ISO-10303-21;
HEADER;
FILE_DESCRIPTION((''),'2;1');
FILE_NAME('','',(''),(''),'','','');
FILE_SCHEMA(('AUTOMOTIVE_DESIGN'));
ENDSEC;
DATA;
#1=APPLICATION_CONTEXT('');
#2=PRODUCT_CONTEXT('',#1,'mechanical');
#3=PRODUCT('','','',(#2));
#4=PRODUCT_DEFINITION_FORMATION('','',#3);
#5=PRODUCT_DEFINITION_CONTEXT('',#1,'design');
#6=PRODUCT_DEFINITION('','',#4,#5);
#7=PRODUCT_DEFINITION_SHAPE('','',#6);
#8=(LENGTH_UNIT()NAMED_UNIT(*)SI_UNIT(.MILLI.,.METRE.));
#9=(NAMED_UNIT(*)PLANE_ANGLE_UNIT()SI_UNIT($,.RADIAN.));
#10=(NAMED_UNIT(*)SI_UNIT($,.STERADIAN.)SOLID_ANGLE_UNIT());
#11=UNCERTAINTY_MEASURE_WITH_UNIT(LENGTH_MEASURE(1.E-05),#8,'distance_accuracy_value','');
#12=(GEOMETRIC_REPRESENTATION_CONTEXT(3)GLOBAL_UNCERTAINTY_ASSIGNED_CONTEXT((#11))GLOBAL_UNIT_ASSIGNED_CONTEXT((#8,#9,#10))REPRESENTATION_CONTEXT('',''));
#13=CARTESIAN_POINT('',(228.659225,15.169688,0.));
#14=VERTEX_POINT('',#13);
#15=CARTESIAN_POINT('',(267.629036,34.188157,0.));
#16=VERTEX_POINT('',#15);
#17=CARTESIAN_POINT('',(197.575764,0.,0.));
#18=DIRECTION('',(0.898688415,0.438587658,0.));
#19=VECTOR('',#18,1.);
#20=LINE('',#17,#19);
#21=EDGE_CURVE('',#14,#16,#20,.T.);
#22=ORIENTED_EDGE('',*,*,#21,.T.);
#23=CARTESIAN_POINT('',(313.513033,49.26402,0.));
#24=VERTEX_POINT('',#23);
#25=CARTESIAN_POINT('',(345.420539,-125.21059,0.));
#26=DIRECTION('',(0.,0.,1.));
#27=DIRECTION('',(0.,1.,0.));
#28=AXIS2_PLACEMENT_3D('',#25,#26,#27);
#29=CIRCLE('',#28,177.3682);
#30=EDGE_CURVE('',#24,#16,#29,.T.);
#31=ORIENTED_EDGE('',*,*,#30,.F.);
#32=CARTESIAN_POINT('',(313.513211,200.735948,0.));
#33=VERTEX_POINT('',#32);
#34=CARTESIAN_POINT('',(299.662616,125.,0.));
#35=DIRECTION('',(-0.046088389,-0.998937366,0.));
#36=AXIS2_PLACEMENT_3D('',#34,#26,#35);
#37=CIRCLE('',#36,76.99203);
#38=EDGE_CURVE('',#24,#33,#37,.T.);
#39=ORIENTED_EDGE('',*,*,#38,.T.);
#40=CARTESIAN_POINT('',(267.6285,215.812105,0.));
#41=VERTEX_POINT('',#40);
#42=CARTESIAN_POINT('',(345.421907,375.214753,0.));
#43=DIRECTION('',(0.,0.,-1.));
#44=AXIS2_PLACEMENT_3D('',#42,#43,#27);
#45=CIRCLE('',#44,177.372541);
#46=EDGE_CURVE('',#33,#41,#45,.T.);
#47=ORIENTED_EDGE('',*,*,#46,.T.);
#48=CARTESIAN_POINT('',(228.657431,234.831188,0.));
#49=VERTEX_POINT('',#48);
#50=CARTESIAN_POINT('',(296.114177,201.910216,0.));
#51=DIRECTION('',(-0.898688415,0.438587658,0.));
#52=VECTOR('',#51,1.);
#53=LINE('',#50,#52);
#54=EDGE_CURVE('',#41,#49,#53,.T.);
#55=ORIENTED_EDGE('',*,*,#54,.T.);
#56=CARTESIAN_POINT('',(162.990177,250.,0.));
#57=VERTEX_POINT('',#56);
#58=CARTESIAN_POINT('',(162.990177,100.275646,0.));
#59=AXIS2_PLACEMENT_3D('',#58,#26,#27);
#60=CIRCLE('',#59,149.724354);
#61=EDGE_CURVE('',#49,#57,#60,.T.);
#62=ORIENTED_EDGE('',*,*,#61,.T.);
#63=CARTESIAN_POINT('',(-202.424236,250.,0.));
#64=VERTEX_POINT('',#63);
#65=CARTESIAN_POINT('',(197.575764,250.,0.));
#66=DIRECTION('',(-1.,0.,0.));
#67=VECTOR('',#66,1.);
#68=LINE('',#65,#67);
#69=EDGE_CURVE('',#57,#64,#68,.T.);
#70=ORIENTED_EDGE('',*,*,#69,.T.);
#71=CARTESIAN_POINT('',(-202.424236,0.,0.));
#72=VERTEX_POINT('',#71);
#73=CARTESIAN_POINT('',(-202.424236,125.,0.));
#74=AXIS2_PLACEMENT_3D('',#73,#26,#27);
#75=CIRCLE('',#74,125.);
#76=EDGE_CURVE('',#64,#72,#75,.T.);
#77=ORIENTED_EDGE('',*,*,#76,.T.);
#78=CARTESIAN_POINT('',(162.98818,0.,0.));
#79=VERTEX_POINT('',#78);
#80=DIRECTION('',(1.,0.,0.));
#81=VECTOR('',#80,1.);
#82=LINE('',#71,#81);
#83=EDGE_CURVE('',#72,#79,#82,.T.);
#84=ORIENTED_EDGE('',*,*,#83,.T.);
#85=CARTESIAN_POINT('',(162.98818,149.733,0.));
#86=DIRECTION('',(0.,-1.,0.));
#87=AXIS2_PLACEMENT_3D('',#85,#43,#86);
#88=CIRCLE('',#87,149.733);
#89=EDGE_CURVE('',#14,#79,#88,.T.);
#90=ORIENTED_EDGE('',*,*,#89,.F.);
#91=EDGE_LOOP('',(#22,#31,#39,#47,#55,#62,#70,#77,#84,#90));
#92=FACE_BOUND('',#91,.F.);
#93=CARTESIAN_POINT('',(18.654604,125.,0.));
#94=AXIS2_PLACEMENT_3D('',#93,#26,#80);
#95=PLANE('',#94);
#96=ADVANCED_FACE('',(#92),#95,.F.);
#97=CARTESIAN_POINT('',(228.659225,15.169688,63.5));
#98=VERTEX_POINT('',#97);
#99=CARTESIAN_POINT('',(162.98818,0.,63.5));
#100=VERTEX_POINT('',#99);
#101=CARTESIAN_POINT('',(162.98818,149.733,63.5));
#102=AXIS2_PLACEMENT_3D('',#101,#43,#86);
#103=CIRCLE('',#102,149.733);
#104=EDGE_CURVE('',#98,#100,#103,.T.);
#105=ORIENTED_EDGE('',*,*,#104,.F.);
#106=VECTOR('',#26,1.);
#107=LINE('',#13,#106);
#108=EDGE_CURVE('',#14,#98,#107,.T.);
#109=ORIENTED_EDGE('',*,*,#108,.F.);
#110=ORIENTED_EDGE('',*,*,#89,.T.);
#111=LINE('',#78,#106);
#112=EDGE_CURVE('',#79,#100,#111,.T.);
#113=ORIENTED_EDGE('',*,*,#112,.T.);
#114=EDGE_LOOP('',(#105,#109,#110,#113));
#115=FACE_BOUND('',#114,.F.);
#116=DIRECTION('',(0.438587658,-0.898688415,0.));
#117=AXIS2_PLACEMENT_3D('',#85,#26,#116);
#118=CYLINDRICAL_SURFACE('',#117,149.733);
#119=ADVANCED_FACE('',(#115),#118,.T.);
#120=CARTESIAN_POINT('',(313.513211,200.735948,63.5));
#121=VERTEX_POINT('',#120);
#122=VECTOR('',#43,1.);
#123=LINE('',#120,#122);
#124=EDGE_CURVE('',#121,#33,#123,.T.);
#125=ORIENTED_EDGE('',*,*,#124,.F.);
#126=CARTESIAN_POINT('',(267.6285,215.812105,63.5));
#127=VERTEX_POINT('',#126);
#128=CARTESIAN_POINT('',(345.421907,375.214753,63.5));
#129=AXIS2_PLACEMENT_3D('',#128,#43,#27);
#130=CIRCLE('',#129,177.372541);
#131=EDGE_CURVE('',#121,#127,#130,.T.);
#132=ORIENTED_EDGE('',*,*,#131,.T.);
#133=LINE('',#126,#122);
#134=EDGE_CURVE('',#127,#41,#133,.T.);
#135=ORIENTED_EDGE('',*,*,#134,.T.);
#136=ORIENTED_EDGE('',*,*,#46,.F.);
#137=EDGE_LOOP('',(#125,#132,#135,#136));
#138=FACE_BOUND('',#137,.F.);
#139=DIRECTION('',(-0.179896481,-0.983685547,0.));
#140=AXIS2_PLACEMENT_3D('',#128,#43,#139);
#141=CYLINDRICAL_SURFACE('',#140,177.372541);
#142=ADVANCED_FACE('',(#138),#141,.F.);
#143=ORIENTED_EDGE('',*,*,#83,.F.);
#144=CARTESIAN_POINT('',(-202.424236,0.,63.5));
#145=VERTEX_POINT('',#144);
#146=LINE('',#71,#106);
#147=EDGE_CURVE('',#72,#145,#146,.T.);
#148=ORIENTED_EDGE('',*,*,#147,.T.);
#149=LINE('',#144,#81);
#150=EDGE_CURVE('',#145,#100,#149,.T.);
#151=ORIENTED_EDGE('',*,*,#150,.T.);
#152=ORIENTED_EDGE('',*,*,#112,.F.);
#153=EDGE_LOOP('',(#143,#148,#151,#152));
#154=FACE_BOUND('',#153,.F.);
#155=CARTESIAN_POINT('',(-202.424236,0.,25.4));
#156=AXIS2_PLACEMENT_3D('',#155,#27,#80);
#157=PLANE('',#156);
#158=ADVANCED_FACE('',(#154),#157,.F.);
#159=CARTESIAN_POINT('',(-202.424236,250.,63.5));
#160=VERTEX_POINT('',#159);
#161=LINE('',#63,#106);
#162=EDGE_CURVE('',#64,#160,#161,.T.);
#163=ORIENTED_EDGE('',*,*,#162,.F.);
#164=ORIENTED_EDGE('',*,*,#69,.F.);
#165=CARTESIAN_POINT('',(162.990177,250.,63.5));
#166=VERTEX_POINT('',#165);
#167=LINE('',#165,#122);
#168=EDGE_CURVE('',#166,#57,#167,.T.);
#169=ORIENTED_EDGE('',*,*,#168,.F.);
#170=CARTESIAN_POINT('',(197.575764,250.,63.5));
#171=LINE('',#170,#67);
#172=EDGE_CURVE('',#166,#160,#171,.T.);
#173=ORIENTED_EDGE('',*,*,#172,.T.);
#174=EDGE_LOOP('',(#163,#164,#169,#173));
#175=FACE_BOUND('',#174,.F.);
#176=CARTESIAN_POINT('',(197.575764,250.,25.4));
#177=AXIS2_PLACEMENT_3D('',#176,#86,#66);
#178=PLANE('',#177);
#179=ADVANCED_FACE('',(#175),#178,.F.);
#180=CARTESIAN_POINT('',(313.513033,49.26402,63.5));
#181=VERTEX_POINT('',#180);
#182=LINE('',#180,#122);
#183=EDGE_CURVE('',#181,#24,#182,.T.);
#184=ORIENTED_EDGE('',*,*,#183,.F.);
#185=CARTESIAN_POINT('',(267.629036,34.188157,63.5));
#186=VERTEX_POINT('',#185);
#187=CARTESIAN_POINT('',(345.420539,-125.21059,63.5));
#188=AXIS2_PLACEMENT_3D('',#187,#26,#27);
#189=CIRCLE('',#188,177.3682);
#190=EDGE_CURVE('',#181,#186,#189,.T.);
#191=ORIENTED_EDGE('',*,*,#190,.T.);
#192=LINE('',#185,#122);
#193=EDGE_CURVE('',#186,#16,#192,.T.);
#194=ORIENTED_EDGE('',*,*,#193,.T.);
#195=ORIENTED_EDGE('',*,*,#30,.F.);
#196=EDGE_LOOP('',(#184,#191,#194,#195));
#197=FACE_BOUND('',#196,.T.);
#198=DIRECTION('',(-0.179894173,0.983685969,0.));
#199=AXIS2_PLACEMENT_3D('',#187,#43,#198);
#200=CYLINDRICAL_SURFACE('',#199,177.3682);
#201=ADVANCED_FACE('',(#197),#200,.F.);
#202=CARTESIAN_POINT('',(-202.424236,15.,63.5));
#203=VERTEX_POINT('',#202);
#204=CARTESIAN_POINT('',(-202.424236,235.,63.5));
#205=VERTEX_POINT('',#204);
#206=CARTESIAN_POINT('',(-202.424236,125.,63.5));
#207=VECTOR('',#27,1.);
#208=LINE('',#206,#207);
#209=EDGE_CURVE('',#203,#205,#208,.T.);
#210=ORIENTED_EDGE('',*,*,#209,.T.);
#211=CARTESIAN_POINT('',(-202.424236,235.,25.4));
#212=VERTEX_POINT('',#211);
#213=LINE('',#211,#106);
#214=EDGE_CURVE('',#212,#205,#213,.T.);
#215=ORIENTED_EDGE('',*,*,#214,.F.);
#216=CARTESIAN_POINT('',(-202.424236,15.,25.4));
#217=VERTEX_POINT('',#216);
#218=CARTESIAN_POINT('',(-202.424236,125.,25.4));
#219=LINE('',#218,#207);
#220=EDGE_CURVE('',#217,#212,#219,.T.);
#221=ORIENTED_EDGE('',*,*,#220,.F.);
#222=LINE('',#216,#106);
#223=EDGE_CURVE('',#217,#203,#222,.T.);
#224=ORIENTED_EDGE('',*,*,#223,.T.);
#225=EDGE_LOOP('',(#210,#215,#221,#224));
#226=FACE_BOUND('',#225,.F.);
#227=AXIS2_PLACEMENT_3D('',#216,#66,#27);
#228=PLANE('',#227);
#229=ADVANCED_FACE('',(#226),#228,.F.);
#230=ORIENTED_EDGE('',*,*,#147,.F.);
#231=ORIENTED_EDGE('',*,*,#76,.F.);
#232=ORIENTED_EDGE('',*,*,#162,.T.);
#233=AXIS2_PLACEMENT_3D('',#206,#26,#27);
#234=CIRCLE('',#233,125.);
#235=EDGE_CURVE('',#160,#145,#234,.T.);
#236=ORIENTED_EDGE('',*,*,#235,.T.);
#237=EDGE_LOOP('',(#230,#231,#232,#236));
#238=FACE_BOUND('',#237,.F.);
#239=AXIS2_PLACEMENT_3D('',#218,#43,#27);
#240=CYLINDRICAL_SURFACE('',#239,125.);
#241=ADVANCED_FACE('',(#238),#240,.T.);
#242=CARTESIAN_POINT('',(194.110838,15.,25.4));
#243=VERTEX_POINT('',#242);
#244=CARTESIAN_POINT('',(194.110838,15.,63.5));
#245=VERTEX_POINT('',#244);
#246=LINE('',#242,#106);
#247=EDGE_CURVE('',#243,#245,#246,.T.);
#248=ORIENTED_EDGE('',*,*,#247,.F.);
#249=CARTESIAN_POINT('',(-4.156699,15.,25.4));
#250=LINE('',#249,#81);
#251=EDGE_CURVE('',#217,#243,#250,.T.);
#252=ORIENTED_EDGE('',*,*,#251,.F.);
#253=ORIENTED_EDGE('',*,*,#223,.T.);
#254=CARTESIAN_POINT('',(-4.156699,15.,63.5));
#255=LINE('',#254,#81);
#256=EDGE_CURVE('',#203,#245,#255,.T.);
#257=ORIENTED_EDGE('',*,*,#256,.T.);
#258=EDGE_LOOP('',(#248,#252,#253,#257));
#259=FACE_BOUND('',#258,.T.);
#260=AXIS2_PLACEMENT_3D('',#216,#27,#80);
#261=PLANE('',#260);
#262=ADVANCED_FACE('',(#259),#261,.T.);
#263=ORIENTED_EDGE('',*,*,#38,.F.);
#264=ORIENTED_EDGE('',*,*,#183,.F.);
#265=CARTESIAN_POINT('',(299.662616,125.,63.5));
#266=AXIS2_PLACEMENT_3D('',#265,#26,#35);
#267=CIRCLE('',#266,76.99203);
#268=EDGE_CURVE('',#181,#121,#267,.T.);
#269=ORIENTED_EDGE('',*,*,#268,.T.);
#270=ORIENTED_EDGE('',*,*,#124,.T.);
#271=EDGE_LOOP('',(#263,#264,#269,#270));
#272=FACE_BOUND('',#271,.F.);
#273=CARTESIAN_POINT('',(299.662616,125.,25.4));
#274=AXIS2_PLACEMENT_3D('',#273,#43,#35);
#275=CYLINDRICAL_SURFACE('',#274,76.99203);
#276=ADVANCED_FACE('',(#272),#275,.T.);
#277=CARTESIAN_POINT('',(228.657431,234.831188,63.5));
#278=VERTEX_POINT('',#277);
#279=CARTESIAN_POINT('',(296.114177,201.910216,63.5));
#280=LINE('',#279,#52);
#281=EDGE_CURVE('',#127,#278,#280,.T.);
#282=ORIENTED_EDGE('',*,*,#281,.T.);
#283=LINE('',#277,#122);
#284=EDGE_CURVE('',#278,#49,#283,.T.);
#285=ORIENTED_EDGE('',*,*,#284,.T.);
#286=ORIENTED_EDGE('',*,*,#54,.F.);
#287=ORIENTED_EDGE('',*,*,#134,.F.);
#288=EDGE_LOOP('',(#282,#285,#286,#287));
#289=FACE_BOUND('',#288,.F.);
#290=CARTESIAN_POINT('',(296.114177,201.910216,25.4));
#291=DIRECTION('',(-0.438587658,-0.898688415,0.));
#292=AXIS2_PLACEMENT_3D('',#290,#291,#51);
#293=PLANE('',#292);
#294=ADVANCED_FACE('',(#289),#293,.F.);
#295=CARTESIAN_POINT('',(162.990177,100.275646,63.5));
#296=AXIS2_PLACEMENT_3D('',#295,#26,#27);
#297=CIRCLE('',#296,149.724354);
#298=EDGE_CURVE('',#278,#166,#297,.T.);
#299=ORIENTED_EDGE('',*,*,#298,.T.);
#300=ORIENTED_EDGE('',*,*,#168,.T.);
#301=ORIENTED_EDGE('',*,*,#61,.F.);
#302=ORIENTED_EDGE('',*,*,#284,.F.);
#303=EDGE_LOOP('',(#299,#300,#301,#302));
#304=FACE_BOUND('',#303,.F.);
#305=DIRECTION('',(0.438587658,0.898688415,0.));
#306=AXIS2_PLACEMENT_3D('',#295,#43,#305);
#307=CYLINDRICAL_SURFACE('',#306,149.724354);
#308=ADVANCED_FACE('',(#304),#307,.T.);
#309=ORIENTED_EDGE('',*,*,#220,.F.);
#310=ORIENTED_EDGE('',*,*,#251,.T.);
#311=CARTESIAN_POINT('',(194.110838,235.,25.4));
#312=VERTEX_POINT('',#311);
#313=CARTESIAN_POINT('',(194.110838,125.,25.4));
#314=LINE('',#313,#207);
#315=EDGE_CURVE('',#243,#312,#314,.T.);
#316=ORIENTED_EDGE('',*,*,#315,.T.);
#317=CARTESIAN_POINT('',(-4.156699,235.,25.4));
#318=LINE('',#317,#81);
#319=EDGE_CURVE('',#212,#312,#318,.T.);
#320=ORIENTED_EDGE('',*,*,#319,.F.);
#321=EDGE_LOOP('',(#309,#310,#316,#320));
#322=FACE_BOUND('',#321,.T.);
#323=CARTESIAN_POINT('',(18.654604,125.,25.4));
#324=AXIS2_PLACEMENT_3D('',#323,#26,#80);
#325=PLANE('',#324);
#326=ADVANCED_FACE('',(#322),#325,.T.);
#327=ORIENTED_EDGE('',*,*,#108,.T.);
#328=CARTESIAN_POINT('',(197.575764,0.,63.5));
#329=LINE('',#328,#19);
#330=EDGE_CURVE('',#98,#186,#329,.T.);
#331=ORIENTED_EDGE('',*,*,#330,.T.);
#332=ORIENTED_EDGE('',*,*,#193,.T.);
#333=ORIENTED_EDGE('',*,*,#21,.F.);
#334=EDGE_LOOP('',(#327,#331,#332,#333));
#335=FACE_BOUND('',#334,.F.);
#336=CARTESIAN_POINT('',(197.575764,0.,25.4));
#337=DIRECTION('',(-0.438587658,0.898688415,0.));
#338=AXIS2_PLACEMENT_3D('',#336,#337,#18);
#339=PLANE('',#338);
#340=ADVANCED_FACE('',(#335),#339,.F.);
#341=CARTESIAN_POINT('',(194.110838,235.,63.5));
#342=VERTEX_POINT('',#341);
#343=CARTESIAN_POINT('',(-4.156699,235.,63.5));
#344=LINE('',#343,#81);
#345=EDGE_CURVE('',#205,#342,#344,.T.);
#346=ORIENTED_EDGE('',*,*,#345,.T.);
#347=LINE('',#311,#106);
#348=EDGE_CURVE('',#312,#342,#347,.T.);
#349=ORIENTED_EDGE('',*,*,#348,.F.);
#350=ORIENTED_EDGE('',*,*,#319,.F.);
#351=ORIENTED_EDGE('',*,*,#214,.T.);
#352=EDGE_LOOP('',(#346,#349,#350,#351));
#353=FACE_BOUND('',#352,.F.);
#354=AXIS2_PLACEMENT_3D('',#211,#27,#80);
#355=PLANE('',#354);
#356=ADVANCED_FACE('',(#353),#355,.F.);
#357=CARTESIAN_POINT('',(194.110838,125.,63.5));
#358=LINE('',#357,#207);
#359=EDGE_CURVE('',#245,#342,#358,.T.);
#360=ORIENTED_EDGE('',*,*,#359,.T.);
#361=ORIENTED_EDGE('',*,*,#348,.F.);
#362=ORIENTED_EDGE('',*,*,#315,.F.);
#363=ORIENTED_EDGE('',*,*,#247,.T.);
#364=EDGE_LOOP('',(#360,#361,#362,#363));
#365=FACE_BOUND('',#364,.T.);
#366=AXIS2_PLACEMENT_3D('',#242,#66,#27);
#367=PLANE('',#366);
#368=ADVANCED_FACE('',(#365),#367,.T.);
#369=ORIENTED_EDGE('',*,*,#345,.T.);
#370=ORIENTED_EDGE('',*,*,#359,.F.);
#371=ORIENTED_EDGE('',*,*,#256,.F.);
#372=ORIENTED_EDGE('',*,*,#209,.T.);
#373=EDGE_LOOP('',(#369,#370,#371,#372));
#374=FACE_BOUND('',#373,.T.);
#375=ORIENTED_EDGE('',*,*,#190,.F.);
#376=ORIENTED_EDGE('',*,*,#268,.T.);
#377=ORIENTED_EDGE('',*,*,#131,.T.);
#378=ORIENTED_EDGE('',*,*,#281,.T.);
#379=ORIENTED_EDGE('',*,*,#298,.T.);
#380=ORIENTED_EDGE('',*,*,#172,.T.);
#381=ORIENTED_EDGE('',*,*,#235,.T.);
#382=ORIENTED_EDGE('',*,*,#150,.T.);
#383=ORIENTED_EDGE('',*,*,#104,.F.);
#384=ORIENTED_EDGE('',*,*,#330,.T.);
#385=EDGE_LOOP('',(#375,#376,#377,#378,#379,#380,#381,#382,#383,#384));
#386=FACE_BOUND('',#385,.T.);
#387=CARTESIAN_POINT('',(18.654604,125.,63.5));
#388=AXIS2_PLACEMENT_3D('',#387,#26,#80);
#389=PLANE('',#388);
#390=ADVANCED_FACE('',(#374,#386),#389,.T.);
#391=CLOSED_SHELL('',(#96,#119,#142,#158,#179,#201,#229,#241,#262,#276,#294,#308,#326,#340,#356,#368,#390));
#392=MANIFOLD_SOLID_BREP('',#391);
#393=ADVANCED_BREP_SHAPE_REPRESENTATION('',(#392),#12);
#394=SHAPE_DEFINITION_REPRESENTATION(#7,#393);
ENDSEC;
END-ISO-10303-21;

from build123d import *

# Parameters (mm, degrees)
F1_DEPTH = 25.4
F2_W     = 396.535074
F2_H     = 220
F3_DEPTH = 38.1
F4_R     = 177.372541
F5_R     = 149.724354
F6_R     = 177.3682
F7_R     = 149.733


with BuildPart() as f1:
    # F0 (on Top) → F1 (new body)
    with BuildSketch(Plane.XY):
        with BuildLine():
            ThreePointArc((-202.424236, 250), (-327.424236, 125), (-202.424236, 0))
            Line((-202.424236, 0), (197.575764, 0))
            Line((197.575764, 0), (296.114177, 48.089784))
            ThreePointArc((296.114177, 48.089784), (376.654646, 125), (296.114177, 201.910216))
            Line((296.114177, 201.910216), (197.575764, 250))
            Line((197.575764, 250), (-202.424236, 250))
        make_face()
    extrude(amount=F1_DEPTH)

    # F2 (on face) → F3 (join)
    with BuildSketch(Plane.XY.offset(25.4)):
        with BuildLine():
            Line((197.575764, 250), (-202.424236, 250))
            ThreePointArc((-202.424236, 250), (-327.424236, 125), (-202.424236, 0))
            Line((-202.424236, 0), (197.575764, 0))
            Line((197.575764, 0), (296.114177, 48.089784))
            ThreePointArc((296.114177, 48.089784), (376.654646, 125), (296.114177, 201.910216))
            Line((296.114177, 201.910216), (197.575764, 250))
        make_face()
        with Locations((-4.156699, 125)):
            Rectangle(F2_W, F2_H, mode=Mode.SUBTRACT)
    extrude(amount=F3_DEPTH)

    # F4
    f4_edges = [f1.edges().sort_by_distance(p)[0] for p in [
        (296.114177, 201.910216, 31.75),
    ]]
    fillet(f4_edges, radius=F4_R)

    # F5
    f5_edges = [f1.edges().sort_by_distance(p)[0] for p in [
        (197.575764, 250, 31.75),
    ]]
    fillet(f5_edges, radius=F5_R)

    # F6
    f6_edges = [f1.edges().sort_by_distance(p)[0] for p in [
        (296.114177, 48.089784, 31.75),
    ]]
    fillet(f6_edges, radius=F6_R)

    # F7
    f7_edges = [f1.edges().sort_by_distance(p)[0] for p in [
        (197.575764, 0, 31.75),
    ]]
    fillet(f7_edges, radius=F7_R)


solid = f1.part
